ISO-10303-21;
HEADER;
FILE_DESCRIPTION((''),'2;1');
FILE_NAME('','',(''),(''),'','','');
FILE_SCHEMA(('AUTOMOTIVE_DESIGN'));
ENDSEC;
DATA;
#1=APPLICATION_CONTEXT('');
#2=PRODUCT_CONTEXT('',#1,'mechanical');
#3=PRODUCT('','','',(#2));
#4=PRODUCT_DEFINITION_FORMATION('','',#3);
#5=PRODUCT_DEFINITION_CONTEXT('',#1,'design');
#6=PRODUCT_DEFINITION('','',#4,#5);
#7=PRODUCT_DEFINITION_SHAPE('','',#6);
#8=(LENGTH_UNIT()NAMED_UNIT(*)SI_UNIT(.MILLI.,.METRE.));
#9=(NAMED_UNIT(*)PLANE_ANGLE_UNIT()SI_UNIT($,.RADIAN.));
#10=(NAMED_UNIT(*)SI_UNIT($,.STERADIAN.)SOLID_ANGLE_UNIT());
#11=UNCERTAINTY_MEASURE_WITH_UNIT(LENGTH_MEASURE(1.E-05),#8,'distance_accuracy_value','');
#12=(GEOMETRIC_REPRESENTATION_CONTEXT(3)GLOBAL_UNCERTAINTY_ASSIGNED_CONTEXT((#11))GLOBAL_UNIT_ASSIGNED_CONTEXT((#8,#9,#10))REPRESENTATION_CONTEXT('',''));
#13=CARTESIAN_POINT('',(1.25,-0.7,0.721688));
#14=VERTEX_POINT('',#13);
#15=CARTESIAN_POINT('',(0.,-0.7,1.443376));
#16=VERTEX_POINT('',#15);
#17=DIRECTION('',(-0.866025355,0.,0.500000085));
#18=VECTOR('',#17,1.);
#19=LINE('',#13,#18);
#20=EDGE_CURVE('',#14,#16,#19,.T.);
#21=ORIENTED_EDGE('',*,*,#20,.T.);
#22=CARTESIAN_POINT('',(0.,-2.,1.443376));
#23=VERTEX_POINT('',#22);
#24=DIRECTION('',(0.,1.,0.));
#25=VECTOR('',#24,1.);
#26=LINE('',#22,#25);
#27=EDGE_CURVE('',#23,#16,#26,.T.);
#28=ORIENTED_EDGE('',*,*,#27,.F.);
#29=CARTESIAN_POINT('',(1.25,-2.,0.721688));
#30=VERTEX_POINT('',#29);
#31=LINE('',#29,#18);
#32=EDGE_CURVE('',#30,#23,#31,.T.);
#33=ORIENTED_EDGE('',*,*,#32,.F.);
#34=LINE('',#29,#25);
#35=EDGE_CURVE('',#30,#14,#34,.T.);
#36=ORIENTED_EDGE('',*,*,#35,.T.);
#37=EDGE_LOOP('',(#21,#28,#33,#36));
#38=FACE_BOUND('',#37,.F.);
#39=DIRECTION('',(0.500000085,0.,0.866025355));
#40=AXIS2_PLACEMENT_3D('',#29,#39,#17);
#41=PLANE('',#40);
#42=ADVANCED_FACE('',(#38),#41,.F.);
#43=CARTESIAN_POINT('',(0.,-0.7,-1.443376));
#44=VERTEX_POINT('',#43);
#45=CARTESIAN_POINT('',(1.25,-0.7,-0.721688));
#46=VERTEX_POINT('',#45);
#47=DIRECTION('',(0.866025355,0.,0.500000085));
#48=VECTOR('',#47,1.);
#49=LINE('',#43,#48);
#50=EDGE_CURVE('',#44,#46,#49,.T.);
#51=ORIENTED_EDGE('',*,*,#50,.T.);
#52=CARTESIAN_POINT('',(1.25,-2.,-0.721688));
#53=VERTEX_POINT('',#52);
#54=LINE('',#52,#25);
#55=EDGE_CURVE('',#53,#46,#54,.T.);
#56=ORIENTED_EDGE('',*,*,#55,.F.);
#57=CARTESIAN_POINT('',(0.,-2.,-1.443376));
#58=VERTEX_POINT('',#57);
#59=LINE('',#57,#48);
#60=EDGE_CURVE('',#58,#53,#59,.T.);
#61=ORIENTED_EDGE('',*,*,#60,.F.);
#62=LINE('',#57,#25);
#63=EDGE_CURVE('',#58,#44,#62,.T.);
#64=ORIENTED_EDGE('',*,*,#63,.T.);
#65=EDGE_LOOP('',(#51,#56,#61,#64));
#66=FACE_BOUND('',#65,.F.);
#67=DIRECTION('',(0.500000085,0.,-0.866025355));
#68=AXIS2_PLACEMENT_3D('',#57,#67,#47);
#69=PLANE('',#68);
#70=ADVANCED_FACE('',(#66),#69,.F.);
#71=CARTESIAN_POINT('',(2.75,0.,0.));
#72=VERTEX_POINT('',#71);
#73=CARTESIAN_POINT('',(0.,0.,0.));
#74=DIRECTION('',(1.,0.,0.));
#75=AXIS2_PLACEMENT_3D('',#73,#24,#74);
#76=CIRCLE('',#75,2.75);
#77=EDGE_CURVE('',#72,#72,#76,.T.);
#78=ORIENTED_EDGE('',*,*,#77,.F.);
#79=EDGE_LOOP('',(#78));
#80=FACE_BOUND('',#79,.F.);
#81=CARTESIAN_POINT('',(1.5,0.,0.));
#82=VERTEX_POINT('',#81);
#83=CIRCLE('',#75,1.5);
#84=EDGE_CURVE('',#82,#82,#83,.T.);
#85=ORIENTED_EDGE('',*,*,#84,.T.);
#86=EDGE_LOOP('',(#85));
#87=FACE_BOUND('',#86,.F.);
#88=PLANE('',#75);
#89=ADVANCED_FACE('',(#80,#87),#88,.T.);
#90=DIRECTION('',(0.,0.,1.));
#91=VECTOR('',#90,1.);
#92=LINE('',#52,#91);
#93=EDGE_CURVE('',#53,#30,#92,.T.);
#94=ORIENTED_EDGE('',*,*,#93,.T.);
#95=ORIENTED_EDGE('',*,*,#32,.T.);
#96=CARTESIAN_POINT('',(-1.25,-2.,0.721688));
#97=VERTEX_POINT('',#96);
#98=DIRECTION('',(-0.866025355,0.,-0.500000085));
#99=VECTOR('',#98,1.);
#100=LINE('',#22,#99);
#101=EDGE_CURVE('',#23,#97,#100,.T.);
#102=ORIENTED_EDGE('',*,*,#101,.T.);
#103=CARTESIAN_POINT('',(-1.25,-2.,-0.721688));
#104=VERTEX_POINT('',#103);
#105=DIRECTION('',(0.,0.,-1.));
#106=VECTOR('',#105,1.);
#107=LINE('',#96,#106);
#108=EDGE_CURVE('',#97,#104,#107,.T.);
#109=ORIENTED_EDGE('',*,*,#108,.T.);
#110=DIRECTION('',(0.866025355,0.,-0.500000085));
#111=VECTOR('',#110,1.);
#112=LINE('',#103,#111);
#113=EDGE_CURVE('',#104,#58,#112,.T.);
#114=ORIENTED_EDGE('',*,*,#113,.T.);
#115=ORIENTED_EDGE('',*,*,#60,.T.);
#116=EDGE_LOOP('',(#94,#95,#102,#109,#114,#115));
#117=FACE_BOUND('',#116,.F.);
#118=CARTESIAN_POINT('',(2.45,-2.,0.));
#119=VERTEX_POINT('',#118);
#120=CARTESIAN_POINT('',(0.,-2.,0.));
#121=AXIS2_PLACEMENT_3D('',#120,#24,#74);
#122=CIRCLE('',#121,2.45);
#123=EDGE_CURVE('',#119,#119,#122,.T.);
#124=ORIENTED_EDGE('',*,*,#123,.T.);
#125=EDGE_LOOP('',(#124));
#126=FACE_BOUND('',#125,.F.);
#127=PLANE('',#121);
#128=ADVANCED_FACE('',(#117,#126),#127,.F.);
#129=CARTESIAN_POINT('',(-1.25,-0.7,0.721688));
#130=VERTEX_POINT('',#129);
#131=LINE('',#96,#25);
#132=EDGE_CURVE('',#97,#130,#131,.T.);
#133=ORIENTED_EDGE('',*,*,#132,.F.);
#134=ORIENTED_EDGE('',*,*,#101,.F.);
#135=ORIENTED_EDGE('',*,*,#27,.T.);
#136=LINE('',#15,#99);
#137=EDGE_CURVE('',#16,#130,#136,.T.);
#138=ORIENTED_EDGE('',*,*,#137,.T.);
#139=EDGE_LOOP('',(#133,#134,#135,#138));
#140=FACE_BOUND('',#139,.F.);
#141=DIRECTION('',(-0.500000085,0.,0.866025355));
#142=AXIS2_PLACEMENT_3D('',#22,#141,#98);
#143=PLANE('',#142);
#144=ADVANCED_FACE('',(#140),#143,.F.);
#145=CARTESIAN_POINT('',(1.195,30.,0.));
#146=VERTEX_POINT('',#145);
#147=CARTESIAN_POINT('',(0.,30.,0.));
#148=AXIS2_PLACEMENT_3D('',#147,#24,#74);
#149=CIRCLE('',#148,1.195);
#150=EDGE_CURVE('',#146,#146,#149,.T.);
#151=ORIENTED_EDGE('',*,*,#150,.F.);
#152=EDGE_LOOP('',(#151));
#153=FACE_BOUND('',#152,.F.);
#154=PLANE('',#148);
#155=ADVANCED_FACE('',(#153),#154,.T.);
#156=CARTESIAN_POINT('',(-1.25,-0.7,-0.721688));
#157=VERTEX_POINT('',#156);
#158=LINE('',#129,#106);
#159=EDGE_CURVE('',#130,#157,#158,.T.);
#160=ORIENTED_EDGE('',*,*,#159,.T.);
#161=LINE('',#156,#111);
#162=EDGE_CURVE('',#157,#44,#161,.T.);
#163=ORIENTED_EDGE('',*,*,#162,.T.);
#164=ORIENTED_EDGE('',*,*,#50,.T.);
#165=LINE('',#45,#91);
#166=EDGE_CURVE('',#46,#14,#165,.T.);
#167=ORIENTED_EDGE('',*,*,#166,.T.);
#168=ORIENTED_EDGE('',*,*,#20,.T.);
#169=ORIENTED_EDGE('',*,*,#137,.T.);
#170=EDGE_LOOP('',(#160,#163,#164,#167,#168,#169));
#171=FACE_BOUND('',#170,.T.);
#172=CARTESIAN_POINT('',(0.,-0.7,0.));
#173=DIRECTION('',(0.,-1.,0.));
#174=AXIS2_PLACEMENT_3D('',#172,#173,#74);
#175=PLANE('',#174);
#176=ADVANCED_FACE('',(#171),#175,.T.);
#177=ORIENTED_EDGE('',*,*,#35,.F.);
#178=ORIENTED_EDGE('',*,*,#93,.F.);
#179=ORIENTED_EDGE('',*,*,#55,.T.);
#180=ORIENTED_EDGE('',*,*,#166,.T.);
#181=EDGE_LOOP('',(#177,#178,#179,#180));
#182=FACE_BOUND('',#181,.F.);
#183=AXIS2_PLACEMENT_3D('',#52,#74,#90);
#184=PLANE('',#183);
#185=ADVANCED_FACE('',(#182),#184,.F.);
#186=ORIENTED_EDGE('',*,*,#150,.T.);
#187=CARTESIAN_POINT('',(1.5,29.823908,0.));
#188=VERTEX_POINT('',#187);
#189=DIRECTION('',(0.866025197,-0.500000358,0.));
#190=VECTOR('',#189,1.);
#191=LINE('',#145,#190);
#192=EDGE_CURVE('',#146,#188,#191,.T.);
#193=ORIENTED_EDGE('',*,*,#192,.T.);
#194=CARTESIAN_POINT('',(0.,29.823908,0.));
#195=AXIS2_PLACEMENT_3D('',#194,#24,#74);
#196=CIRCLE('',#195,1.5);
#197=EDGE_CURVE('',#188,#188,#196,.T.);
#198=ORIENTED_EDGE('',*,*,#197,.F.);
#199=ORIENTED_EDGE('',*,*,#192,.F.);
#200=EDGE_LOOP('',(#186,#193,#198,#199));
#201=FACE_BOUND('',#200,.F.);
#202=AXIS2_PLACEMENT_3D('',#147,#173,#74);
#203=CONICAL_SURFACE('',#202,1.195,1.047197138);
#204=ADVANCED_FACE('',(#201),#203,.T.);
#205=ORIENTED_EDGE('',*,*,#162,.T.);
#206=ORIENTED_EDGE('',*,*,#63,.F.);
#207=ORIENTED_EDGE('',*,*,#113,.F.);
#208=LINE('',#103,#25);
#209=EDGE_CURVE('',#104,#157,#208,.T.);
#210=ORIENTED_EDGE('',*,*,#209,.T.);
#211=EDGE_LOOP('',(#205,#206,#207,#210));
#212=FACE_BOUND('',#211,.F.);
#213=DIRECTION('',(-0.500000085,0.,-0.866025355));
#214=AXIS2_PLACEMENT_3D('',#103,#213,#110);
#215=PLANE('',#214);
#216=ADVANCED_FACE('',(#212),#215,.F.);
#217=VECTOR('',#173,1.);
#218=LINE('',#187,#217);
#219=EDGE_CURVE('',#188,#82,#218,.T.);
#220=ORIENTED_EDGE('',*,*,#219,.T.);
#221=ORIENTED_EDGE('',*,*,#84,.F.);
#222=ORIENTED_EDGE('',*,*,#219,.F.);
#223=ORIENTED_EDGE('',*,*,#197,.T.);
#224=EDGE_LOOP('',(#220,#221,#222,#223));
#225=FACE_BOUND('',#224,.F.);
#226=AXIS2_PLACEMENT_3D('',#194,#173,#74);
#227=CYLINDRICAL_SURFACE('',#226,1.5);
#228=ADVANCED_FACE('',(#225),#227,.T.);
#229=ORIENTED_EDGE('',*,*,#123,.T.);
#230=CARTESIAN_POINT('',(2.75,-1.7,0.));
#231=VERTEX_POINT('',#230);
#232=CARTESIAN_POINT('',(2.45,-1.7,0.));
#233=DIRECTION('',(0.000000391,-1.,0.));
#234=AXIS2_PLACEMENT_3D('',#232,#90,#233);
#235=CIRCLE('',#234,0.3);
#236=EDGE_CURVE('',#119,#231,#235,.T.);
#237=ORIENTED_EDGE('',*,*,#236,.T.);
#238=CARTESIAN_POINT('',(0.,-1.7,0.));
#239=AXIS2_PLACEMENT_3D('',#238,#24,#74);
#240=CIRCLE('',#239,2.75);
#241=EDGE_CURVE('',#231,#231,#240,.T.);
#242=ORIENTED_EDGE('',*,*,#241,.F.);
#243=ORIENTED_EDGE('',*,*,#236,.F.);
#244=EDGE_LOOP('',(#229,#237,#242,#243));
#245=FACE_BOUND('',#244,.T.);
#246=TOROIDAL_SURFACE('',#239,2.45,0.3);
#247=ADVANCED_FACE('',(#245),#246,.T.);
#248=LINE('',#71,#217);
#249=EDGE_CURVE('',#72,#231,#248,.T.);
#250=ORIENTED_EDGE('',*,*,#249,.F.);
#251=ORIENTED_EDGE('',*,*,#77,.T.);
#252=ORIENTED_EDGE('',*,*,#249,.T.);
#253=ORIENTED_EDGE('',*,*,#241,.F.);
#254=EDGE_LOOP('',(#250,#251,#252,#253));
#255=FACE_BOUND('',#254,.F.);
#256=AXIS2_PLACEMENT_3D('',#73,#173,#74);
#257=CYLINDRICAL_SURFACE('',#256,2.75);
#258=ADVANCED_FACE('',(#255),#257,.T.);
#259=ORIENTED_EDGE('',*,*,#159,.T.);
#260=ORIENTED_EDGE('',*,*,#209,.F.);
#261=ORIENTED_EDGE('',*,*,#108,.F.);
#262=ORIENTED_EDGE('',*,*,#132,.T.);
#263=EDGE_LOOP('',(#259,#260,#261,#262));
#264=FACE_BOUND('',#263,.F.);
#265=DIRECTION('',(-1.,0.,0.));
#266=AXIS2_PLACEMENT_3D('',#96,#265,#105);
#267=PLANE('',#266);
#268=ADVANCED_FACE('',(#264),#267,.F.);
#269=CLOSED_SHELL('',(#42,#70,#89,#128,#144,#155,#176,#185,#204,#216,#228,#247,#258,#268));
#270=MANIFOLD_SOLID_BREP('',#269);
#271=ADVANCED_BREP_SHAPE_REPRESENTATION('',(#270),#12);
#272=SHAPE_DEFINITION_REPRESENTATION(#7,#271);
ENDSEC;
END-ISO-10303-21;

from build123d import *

# Parameters (mm, degrees)
POCKET_DEPTH = 1.3


with BuildPart() as part:
    # Sketch → Revolution (revolve)
    with BuildSketch(Plane.XY):
        with BuildLine():
            Line((1.5, 0), (2.75, 0))
            Line((2.75, 0), (2.75, -1.7))
            ThreePointArc((2.45, -2), (2.662132, -1.912132), (2.75, -1.7))
            Line((2.45, -2), (0, -2))
            Line((0, -2), (0, 30))
            Line((0, 30), (1.195, 30))
            Line((1.195, 30), (1.5, 29.823908))
            Line((1.5, 29.823908), (1.5, 0))
        make_face()
    revolve(axis=Axis((0, 0, 0), (0, 1, 0)))

    # Sketch001 → Pocket (cut)
    with BuildSketch(Plane.XZ.offset(2)):
        Polygon((-1.25, 0.721688), (-1.25, -0.721688), (0, -1.443376), (1.25, -0.721688), (1.25, 0.721688), (0, 1.443376), align=None)
    extrude(amount=-POCKET_DEPTH, mode=Mode.SUBTRACT)


solid = part.part
